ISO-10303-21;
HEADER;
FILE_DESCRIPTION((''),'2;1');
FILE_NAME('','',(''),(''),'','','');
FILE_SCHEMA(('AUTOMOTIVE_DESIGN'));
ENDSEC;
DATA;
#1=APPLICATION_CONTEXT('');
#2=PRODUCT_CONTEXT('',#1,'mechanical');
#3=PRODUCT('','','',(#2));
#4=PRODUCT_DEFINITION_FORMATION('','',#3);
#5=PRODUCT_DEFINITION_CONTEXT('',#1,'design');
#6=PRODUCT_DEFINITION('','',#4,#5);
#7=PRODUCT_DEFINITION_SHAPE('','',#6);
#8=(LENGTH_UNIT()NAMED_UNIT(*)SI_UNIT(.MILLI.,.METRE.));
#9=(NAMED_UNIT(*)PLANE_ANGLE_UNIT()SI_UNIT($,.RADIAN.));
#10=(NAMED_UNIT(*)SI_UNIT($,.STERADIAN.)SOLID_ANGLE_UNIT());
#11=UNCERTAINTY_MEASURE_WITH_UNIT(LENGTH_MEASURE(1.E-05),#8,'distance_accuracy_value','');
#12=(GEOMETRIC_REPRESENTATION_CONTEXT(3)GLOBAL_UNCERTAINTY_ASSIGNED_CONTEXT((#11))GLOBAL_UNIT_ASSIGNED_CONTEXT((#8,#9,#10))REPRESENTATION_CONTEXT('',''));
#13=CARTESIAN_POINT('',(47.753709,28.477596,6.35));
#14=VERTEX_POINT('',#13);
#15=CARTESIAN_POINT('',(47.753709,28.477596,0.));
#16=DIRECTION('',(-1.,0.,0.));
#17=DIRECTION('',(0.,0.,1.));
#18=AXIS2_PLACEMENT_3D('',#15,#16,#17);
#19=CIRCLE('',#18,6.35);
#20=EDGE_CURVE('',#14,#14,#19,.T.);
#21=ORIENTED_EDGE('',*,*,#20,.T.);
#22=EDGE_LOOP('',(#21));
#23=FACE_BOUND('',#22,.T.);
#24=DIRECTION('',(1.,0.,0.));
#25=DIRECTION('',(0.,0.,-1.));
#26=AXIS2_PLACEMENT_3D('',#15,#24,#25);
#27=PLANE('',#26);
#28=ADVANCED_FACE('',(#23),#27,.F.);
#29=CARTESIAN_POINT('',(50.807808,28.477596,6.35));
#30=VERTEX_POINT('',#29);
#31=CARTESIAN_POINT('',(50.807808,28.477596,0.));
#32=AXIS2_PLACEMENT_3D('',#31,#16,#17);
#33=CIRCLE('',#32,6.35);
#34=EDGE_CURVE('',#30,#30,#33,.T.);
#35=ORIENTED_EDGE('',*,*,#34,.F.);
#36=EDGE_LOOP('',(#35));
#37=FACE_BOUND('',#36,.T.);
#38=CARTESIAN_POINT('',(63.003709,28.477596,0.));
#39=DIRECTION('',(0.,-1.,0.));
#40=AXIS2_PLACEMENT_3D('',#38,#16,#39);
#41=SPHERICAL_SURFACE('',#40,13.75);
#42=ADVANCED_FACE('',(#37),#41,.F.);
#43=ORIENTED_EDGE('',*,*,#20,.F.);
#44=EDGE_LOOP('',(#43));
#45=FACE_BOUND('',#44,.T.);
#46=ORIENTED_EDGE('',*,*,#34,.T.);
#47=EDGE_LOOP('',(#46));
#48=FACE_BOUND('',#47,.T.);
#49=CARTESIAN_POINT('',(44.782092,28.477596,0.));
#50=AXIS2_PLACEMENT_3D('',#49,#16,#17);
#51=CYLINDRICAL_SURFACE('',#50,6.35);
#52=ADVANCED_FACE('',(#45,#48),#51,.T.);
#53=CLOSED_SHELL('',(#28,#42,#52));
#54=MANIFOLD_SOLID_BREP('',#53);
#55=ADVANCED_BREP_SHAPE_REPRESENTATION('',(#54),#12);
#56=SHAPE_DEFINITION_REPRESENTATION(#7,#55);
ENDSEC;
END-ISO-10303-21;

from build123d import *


with BuildPart() as part:
    # 草图1 → 旋转1 (revolve)
    with BuildSketch(Plane.XY, mode=Mode.PRIVATE) as revolve_1_sk:
        with BuildLine():
            Line((47.753708501, 28.477595635), (47.753708501, 34.827595635))
            Line((47.753708501, 34.827595635), (50.807807551, 34.827595635))
            ThreePointArc((50.807807551, 34.827595635), (49.647883217, 31.746300418), (49.253708501, 28.477595635))
            Line((49.253708501, 28.477595635), (47.753708501, 28.477595635))
        make_face()
    revolve(revolve_1_sk.sketch.rotate(Axis((44.782091903, 28.477595635, 0), (1, 0, 0)), 180), axis=Axis((44.782091903, 28.477595635, 0), (1, 0, 0)))  # turned: the seam where the file's is


solid = part.part
